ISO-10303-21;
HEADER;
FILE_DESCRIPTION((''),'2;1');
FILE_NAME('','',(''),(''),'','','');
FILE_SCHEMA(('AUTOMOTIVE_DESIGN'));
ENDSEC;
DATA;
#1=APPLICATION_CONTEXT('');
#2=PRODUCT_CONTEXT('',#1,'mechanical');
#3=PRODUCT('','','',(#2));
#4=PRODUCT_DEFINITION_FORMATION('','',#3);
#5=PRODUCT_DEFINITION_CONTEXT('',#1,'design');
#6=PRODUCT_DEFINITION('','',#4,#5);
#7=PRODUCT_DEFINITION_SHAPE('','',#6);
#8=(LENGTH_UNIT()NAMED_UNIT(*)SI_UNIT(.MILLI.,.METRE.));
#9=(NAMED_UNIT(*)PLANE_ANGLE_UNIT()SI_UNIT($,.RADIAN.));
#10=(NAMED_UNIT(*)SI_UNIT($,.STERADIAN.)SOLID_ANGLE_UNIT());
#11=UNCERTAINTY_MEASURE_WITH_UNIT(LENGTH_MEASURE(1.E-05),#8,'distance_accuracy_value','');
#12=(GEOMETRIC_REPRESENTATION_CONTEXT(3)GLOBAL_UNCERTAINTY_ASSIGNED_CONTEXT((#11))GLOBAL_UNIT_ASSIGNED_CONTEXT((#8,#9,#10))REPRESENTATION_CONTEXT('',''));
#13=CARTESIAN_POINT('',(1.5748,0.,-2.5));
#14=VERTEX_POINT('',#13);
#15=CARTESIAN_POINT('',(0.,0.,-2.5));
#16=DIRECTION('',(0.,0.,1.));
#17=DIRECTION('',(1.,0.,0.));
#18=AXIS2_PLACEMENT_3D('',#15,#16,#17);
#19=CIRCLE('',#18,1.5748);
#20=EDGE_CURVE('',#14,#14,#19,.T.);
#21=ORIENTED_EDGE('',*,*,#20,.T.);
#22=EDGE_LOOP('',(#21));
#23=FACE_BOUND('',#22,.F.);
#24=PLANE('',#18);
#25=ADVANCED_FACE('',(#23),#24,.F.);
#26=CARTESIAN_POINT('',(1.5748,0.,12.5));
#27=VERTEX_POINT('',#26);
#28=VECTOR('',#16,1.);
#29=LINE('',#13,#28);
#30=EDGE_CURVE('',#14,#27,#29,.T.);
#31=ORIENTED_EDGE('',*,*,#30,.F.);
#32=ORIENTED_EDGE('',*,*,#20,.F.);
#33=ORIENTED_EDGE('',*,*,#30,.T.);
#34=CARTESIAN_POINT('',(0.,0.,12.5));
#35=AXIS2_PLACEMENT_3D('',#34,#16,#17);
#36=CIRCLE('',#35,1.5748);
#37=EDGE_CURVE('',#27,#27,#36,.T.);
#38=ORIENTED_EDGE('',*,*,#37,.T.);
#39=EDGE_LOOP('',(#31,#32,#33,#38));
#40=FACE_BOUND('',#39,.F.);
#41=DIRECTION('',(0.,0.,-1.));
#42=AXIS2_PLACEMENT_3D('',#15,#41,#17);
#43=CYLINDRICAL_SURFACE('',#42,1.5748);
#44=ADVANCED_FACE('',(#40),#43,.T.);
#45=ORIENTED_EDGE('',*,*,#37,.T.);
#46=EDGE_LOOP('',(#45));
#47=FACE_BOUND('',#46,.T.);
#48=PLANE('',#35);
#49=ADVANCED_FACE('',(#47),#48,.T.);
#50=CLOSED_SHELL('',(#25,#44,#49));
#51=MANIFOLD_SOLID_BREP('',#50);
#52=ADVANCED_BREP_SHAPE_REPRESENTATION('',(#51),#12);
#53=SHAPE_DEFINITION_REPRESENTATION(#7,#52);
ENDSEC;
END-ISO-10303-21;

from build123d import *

# Parameters (mm, degrees)
CYLINDER_R     = 1.5748
CYLINDER_DEPTH = 15


with BuildPart() as part:
    # Cylinder → Cylinder (new body)
    with BuildSketch(Plane.XY.offset(-2.5)):
        Circle(CYLINDER_R)
    extrude(amount=CYLINDER_DEPTH)


solid = part.part
